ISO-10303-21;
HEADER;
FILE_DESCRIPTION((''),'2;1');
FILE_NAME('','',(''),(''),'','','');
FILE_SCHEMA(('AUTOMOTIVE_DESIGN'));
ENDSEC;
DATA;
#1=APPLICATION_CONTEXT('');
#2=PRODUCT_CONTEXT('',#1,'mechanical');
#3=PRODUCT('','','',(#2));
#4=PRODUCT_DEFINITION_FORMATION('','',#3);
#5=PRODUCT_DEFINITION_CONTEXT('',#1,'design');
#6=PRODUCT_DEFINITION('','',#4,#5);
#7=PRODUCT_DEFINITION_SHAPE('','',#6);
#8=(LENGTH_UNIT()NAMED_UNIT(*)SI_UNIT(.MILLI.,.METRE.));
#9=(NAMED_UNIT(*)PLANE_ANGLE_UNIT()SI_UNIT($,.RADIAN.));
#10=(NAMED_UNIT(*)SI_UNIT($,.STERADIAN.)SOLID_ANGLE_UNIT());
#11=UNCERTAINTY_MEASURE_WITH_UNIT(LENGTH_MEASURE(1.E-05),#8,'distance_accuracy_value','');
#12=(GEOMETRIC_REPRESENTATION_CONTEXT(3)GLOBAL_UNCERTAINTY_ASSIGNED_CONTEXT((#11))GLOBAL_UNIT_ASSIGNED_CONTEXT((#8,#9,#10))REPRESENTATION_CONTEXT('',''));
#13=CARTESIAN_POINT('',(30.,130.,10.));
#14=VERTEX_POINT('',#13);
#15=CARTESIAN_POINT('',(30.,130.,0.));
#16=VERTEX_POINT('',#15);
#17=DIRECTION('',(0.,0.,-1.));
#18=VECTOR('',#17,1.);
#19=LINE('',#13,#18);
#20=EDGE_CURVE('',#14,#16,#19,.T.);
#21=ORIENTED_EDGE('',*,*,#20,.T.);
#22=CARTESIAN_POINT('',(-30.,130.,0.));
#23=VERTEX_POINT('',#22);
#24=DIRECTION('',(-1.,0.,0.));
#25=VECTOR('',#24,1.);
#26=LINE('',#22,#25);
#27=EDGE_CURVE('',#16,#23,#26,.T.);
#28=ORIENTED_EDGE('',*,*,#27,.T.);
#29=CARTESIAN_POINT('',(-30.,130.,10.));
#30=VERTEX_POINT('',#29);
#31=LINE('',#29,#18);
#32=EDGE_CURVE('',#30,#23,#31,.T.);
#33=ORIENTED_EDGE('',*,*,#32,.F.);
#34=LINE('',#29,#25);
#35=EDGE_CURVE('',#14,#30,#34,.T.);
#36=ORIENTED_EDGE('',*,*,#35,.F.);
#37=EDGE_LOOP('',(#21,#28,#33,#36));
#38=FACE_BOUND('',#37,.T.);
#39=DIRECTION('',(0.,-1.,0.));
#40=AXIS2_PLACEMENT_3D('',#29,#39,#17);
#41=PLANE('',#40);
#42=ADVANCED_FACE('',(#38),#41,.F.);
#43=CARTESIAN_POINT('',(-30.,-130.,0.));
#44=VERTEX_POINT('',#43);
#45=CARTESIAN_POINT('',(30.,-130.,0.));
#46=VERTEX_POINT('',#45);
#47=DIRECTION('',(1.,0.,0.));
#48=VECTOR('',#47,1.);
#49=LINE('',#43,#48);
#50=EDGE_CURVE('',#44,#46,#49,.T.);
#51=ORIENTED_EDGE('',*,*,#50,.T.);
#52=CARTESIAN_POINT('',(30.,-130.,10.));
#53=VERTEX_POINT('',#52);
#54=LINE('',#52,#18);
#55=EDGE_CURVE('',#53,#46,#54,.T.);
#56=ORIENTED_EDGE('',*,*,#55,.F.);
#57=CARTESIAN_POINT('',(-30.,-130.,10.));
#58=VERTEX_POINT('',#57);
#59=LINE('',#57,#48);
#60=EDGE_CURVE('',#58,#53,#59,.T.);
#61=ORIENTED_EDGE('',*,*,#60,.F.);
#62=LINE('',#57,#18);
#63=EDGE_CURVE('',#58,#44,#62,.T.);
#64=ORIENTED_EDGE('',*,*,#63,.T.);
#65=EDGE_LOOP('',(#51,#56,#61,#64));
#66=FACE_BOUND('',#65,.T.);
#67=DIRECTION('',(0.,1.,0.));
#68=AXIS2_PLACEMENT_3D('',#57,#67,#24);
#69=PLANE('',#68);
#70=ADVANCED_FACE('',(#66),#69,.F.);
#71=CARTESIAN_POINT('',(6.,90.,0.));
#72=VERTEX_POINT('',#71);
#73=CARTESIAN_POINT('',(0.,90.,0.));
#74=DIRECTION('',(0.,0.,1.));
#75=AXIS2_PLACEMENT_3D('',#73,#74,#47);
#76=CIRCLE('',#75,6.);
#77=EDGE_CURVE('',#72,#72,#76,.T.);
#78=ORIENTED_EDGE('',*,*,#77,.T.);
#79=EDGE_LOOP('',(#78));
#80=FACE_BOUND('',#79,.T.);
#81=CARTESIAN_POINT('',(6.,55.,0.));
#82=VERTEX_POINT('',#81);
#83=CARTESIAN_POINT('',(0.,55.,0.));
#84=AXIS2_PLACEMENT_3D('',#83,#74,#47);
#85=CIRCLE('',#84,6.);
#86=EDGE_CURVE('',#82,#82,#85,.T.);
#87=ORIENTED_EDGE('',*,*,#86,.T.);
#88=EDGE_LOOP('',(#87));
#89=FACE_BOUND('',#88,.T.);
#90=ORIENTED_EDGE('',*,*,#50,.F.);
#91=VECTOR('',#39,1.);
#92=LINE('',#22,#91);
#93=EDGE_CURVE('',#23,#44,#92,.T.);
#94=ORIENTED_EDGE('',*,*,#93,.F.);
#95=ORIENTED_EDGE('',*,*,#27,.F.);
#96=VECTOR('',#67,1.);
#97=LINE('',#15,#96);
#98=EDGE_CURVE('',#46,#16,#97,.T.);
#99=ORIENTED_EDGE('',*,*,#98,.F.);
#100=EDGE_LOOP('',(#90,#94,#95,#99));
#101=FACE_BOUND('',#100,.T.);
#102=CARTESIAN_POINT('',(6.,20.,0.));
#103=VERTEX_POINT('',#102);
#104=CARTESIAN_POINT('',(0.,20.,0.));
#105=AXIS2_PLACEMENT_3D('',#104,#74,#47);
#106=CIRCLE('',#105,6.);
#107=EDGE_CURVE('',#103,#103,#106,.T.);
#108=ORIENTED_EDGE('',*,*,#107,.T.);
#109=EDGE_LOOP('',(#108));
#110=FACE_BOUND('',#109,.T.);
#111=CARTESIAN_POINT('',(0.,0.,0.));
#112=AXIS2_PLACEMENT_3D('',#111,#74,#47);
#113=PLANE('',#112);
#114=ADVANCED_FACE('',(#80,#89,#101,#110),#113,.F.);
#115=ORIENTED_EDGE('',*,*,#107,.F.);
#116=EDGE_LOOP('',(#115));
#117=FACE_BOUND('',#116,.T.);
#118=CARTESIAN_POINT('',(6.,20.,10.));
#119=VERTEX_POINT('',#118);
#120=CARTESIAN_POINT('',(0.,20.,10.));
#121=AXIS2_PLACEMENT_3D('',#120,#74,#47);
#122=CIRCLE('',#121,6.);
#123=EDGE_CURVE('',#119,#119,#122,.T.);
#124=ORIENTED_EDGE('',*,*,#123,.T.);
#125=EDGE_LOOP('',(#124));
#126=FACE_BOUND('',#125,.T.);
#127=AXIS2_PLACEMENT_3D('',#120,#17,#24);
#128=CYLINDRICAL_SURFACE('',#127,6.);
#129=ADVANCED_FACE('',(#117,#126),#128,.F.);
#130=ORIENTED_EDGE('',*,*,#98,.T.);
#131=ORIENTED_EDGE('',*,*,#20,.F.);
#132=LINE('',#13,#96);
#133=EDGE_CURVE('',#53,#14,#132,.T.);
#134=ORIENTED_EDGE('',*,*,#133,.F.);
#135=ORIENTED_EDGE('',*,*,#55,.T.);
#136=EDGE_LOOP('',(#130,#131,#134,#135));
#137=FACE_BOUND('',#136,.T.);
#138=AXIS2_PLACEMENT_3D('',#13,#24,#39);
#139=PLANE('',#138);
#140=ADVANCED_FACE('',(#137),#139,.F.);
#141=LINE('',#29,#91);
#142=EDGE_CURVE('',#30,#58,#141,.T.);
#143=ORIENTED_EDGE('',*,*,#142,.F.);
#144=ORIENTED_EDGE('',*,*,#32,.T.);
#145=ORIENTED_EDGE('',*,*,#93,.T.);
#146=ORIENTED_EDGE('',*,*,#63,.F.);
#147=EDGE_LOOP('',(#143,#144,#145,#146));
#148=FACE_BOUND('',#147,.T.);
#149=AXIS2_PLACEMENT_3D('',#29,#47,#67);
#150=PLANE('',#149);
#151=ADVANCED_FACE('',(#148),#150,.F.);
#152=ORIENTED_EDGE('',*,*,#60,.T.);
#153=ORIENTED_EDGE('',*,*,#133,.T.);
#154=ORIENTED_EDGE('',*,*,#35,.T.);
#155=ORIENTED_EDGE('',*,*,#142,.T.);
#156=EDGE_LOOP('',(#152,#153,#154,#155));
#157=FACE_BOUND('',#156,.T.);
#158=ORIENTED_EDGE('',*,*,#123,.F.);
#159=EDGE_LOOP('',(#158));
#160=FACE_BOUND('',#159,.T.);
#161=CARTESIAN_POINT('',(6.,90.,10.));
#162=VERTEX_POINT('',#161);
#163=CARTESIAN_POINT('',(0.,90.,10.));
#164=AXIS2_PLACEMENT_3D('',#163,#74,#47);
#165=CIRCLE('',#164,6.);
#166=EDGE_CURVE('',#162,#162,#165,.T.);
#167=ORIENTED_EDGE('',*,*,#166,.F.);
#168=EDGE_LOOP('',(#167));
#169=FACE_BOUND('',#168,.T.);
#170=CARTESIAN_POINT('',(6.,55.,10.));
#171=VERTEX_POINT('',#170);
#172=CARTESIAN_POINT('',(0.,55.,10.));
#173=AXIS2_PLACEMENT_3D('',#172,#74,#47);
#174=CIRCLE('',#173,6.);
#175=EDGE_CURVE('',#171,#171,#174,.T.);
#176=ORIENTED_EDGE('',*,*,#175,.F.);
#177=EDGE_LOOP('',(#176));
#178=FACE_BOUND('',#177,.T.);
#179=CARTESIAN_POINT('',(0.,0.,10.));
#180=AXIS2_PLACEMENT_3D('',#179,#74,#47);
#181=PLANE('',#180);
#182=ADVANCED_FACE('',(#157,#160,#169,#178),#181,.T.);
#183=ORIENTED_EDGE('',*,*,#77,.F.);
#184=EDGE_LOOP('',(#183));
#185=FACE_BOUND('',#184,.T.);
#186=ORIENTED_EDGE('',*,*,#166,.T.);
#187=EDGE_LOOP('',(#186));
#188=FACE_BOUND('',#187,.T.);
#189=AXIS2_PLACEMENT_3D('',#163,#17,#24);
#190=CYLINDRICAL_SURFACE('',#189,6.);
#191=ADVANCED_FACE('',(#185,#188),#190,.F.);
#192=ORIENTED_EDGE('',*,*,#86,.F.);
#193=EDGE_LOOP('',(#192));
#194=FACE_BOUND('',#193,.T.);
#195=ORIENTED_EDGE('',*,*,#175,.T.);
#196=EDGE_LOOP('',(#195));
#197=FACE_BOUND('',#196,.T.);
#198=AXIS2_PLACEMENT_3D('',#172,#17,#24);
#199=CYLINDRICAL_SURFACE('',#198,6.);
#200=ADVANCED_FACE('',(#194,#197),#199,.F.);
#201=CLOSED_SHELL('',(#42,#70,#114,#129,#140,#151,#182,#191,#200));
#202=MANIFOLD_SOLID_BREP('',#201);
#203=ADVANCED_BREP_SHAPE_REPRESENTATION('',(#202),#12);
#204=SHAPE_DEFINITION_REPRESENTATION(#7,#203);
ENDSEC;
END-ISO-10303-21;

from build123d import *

# Parameters (mm, degrees)
CROQUIS1_W              = 60
CROQUIS1_H              = 260
CROQUIS1_R              = 6
SALIENTE_EXTRUIR1_DEPTH = 10


with BuildPart() as part:
    # Croquis1 → Saliente-Extruir1 (new body)
    with BuildSketch(Plane.XY):
        Rectangle(CROQUIS1_W, CROQUIS1_H)
        with Locations((0, 55)):
            Circle(CROQUIS1_R, mode=Mode.SUBTRACT)
        with Locations((0, 90)):
            Circle(CROQUIS1_R, mode=Mode.SUBTRACT)
        with Locations((0, 20)):
            Circle(CROQUIS1_R, mode=Mode.SUBTRACT)
    extrude(amount=SALIENTE_EXTRUIR1_DEPTH)


solid = part.part
